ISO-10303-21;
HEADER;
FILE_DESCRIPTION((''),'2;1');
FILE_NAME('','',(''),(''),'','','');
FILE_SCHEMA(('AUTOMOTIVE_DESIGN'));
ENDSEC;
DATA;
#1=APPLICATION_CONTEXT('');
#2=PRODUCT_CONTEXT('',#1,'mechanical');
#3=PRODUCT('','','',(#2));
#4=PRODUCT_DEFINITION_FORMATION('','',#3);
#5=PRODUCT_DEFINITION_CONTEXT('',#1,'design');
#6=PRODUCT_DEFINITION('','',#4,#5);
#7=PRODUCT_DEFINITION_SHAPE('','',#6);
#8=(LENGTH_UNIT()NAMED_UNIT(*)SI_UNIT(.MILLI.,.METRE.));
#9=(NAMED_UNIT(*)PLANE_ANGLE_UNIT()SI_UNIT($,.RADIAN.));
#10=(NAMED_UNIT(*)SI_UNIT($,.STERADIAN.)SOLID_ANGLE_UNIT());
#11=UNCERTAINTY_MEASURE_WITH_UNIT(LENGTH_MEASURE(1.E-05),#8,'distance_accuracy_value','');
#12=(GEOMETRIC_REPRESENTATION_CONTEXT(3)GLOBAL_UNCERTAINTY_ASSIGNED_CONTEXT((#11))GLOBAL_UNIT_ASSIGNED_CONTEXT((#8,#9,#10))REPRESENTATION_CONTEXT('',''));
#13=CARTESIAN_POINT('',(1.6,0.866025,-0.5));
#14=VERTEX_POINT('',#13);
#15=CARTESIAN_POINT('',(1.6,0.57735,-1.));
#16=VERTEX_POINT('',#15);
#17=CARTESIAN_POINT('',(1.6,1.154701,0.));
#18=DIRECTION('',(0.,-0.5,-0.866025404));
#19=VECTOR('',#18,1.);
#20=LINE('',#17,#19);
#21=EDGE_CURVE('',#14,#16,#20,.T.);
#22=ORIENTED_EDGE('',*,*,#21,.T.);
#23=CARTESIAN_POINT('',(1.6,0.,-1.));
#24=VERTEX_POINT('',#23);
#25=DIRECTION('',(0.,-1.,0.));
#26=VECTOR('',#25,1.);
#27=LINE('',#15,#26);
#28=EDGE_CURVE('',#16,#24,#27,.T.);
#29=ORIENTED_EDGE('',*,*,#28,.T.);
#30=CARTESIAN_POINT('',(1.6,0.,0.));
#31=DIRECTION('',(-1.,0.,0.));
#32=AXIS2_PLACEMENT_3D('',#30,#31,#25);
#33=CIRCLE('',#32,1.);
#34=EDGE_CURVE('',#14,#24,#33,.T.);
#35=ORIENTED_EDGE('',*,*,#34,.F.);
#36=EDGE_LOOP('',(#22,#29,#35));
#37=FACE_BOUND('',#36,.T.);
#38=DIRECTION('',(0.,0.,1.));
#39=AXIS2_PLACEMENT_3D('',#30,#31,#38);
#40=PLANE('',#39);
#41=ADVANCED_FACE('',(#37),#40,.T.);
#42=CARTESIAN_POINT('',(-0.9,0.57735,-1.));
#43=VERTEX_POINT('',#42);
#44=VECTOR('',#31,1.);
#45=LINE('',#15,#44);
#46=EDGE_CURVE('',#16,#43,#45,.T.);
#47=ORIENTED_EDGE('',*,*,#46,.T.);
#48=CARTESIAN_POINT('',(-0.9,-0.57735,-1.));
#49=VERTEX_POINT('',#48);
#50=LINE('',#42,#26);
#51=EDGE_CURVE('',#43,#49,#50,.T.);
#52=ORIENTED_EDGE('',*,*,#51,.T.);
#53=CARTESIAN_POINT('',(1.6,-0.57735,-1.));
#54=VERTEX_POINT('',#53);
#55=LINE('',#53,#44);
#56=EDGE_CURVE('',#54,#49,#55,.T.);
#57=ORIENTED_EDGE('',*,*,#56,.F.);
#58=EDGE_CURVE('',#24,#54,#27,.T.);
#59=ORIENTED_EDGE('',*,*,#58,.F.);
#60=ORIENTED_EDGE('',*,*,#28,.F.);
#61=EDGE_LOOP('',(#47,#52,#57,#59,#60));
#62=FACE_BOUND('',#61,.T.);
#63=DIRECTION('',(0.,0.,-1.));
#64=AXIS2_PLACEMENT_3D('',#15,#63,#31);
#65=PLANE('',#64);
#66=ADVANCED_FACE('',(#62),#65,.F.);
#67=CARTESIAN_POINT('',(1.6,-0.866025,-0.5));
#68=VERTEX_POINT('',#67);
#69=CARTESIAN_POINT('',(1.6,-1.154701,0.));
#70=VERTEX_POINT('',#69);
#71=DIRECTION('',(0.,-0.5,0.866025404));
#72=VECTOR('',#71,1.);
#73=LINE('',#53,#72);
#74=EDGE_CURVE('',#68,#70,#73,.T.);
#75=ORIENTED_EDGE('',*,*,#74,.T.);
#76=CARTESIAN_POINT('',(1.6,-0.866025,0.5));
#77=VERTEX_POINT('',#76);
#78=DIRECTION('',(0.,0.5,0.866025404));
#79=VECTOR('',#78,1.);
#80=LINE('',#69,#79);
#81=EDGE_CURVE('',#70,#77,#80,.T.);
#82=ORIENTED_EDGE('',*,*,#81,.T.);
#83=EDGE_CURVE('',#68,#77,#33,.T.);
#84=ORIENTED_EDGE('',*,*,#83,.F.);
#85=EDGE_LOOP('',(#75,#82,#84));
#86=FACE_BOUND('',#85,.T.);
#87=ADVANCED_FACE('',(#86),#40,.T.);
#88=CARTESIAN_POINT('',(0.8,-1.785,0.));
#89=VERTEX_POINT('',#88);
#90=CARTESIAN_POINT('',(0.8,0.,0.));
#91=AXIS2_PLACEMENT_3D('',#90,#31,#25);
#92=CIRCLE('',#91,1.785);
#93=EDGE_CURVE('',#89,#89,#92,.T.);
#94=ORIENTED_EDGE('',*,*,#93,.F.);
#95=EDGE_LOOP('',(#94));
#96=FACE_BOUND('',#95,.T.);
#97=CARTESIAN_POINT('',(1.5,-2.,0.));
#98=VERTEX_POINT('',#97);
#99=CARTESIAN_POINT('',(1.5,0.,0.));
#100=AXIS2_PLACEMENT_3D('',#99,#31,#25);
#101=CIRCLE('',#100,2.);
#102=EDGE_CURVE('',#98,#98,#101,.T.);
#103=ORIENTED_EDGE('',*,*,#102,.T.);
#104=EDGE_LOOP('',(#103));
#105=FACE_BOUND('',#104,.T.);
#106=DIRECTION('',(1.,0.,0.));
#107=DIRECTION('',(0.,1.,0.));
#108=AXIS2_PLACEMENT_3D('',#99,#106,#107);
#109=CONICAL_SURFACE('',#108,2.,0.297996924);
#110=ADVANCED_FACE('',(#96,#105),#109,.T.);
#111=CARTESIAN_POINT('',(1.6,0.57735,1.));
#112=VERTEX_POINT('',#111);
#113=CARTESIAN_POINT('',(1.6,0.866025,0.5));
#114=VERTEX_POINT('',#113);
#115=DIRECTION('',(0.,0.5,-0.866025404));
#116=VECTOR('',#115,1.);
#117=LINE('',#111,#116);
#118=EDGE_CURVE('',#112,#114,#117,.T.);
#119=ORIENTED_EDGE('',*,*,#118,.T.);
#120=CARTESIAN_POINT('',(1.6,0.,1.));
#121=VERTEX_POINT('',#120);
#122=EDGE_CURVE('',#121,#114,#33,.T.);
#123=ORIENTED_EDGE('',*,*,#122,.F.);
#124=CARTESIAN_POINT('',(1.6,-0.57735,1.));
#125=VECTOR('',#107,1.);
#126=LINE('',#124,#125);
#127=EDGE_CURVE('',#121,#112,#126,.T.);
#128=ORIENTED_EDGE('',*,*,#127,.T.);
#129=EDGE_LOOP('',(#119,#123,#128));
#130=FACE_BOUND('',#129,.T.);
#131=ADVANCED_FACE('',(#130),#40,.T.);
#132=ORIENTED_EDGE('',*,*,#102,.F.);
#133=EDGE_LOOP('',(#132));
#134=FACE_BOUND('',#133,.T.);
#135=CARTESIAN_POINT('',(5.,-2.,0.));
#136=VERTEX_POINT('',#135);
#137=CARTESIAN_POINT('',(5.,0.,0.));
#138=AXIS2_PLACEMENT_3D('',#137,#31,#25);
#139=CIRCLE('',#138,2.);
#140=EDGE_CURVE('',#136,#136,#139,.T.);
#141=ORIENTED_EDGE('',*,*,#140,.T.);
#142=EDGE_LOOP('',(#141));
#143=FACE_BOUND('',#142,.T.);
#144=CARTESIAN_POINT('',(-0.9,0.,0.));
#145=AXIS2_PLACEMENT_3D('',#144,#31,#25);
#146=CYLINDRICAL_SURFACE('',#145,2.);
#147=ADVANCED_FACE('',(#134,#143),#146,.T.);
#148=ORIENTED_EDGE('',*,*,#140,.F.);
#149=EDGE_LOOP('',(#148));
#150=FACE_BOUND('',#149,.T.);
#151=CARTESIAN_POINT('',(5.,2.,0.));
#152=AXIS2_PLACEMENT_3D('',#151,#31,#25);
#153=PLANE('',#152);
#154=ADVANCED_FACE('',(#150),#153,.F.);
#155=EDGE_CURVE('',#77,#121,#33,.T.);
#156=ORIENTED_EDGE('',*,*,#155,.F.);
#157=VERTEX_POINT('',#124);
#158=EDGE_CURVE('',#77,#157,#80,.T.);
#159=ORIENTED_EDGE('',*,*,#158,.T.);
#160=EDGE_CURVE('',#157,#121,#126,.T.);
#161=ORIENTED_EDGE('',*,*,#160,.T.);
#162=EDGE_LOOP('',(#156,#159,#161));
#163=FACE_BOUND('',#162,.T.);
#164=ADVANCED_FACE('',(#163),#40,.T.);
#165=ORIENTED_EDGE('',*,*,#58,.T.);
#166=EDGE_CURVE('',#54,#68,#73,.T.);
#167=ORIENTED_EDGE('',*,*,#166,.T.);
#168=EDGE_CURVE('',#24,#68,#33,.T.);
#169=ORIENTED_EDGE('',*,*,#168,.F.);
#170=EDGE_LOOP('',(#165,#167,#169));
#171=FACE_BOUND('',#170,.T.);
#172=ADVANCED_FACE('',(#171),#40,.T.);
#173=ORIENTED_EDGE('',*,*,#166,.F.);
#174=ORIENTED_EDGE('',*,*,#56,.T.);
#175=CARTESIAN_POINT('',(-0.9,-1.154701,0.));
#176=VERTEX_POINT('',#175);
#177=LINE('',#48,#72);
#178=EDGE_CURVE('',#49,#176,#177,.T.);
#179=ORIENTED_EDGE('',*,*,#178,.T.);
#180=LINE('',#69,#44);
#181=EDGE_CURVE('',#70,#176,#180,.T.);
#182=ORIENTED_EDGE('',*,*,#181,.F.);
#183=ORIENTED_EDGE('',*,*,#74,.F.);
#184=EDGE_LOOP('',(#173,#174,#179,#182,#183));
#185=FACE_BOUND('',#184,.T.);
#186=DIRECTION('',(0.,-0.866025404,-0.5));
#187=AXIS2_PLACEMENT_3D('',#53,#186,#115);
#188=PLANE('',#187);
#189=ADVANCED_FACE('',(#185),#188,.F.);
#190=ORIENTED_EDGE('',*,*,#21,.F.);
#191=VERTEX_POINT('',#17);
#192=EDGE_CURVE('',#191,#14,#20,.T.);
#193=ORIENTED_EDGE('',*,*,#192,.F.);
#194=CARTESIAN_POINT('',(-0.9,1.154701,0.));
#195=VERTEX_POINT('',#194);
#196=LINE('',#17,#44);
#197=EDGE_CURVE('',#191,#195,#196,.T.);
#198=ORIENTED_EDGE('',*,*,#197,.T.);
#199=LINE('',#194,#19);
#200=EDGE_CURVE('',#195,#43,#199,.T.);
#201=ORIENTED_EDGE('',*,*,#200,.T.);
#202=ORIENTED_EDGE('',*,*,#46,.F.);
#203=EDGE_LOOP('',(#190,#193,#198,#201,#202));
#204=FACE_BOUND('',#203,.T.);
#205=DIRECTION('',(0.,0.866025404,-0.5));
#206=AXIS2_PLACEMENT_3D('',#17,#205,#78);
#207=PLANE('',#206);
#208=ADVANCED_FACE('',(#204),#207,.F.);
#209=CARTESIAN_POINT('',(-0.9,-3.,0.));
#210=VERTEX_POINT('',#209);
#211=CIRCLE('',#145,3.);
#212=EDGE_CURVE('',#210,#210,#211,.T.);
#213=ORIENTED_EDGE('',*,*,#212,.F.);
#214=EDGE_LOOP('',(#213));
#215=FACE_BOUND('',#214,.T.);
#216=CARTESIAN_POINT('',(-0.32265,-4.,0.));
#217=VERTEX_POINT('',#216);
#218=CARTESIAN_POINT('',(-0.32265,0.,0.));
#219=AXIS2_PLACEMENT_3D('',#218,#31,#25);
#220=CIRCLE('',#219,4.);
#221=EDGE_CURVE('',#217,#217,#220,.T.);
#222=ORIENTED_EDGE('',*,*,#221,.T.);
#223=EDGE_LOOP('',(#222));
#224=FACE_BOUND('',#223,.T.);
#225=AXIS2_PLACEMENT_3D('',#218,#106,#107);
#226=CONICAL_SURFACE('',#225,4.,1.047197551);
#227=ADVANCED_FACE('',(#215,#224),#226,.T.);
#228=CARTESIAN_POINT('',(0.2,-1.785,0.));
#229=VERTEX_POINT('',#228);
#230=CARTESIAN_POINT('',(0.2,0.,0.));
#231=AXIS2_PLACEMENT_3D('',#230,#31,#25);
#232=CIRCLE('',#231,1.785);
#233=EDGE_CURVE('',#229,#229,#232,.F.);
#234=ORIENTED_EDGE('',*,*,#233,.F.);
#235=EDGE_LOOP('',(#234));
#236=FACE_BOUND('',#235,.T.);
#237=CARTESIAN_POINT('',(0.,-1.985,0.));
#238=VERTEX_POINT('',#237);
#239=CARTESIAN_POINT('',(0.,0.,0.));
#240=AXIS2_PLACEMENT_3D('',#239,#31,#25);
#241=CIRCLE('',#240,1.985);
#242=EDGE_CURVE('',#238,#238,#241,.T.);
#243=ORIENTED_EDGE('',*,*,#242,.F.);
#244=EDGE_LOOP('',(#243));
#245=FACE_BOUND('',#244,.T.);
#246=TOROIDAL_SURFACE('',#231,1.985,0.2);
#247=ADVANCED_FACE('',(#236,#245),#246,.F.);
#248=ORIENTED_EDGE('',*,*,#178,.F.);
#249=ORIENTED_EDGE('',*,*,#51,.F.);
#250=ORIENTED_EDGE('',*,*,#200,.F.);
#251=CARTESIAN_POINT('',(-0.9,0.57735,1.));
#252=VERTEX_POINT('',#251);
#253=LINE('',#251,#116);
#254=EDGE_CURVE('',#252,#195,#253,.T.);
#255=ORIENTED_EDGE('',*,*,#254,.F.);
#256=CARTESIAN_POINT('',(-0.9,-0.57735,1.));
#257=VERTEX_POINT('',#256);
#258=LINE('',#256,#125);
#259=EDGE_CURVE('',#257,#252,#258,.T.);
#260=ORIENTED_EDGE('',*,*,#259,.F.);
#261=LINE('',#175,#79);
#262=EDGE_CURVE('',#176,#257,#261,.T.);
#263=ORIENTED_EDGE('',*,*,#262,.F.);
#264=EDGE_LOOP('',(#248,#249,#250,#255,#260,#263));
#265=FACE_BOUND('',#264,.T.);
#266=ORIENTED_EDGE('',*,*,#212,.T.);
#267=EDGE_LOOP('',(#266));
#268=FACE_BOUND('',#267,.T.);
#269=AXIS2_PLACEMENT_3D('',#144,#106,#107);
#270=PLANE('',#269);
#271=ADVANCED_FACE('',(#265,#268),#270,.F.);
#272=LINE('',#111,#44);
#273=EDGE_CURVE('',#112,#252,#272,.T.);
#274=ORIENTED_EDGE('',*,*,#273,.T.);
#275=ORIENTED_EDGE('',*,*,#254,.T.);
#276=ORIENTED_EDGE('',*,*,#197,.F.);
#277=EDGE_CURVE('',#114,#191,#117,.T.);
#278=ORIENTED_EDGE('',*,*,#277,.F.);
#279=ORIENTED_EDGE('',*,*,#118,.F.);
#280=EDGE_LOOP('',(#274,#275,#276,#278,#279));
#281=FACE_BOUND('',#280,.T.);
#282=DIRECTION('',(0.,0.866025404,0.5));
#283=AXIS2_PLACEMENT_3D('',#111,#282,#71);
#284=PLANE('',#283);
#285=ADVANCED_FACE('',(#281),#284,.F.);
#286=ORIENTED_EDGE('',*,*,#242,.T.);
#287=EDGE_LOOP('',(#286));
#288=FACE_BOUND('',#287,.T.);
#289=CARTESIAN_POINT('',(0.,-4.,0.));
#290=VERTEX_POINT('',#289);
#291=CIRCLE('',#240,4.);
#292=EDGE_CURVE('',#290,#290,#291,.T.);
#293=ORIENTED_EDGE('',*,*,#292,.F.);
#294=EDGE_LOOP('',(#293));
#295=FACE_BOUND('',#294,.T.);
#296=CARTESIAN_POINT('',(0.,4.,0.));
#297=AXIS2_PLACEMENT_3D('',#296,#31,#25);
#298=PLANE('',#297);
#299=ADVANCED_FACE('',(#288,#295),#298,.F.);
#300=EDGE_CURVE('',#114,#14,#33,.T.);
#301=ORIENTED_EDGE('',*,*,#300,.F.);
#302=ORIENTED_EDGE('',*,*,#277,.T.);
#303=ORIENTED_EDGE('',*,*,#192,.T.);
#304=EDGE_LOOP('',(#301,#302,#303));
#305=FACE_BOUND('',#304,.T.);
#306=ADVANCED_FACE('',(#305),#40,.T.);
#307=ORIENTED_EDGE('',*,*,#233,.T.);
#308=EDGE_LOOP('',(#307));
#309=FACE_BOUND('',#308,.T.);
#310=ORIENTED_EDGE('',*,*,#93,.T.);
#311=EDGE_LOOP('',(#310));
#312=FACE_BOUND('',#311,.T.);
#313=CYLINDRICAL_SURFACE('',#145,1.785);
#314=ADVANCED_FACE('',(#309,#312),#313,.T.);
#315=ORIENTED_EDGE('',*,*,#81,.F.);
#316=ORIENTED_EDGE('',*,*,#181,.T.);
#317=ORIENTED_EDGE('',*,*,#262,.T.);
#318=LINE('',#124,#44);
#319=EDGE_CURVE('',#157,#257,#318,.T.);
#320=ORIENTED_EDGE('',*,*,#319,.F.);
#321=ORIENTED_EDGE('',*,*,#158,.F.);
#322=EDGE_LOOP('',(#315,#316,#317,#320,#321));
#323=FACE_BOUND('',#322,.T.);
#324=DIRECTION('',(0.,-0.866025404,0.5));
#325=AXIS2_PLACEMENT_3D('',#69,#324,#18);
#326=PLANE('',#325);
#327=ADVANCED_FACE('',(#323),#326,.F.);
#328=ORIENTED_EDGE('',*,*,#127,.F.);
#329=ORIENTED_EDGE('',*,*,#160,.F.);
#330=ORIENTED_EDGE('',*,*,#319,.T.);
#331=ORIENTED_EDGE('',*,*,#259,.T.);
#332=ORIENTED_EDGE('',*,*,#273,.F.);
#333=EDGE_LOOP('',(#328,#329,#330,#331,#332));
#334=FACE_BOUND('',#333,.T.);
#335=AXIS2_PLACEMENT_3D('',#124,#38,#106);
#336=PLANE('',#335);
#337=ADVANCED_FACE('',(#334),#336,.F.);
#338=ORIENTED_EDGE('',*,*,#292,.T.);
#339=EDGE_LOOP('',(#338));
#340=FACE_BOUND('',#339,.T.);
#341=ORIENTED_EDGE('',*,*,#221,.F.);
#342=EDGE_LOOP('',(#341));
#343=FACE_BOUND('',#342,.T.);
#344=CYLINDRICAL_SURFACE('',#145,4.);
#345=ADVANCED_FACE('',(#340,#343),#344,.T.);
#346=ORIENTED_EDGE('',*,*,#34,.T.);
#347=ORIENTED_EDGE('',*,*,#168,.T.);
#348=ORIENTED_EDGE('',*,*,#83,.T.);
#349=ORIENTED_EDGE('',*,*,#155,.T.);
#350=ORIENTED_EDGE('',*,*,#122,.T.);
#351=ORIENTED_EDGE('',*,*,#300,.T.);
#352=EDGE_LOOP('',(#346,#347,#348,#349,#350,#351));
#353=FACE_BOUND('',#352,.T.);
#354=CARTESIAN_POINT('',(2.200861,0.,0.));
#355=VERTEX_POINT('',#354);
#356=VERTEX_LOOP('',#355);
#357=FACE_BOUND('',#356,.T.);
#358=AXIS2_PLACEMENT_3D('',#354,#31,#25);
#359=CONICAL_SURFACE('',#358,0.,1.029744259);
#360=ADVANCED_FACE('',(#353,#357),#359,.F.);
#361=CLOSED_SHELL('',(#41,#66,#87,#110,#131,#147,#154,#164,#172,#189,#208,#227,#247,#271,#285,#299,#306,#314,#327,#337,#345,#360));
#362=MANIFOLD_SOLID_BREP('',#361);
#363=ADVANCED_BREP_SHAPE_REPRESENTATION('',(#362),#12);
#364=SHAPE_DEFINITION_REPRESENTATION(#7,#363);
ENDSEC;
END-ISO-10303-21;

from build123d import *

# Parameters (mm, degrees)
FILLET1_R          = 0.2
CUT_EXTRUDE1_DEPTH = 2.5


with BuildPart() as part:
    # Sketch1 → Revolve1 (revolve)
    with BuildSketch(Plane.XY):
        Polygon((-0.9, 0), (-0.9, 3), (-0.322649731, 4), (0, 4), (0, 1.785), (0.8, 1.785), (1.5, 2), (5, 2), (5, 0), align=None)
    revolve(axis=Axis((-0.9, 0, 0), (1, 0, 0)))

    # Fillet1
    fillet1_edges = [part.edges().sort_by_distance(p)[0] for p in [
        (0, -1.785, 0),
    ]]
    fillet(fillet1_edges, radius=FILLET1_R)

    # Sketch2 → Cut-Extrude1 (cut)
    with BuildSketch(Plane.ZY.offset(0.9)):
        Polygon((0, 1.154700538), (-1, 0.577350269), (-1, -0.577350269), (0, -1.154700538), (1, -0.577350269), (1, 0.577350269), align=None)
    extrude(amount=-CUT_EXTRUDE1_DEPTH, mode=Mode.SUBTRACT)

    # Sketch3 → Cut-Revolve1 (revolve, cut)
    with BuildSketch(Plane.XY):
        Polygon((1.6, 0), (1.6, 1), (2.200860619, 0), align=None)
    revolve(axis=Axis((1.6, 0, 0), (1, 0, 0)), mode=Mode.SUBTRACT)


solid = part.part
